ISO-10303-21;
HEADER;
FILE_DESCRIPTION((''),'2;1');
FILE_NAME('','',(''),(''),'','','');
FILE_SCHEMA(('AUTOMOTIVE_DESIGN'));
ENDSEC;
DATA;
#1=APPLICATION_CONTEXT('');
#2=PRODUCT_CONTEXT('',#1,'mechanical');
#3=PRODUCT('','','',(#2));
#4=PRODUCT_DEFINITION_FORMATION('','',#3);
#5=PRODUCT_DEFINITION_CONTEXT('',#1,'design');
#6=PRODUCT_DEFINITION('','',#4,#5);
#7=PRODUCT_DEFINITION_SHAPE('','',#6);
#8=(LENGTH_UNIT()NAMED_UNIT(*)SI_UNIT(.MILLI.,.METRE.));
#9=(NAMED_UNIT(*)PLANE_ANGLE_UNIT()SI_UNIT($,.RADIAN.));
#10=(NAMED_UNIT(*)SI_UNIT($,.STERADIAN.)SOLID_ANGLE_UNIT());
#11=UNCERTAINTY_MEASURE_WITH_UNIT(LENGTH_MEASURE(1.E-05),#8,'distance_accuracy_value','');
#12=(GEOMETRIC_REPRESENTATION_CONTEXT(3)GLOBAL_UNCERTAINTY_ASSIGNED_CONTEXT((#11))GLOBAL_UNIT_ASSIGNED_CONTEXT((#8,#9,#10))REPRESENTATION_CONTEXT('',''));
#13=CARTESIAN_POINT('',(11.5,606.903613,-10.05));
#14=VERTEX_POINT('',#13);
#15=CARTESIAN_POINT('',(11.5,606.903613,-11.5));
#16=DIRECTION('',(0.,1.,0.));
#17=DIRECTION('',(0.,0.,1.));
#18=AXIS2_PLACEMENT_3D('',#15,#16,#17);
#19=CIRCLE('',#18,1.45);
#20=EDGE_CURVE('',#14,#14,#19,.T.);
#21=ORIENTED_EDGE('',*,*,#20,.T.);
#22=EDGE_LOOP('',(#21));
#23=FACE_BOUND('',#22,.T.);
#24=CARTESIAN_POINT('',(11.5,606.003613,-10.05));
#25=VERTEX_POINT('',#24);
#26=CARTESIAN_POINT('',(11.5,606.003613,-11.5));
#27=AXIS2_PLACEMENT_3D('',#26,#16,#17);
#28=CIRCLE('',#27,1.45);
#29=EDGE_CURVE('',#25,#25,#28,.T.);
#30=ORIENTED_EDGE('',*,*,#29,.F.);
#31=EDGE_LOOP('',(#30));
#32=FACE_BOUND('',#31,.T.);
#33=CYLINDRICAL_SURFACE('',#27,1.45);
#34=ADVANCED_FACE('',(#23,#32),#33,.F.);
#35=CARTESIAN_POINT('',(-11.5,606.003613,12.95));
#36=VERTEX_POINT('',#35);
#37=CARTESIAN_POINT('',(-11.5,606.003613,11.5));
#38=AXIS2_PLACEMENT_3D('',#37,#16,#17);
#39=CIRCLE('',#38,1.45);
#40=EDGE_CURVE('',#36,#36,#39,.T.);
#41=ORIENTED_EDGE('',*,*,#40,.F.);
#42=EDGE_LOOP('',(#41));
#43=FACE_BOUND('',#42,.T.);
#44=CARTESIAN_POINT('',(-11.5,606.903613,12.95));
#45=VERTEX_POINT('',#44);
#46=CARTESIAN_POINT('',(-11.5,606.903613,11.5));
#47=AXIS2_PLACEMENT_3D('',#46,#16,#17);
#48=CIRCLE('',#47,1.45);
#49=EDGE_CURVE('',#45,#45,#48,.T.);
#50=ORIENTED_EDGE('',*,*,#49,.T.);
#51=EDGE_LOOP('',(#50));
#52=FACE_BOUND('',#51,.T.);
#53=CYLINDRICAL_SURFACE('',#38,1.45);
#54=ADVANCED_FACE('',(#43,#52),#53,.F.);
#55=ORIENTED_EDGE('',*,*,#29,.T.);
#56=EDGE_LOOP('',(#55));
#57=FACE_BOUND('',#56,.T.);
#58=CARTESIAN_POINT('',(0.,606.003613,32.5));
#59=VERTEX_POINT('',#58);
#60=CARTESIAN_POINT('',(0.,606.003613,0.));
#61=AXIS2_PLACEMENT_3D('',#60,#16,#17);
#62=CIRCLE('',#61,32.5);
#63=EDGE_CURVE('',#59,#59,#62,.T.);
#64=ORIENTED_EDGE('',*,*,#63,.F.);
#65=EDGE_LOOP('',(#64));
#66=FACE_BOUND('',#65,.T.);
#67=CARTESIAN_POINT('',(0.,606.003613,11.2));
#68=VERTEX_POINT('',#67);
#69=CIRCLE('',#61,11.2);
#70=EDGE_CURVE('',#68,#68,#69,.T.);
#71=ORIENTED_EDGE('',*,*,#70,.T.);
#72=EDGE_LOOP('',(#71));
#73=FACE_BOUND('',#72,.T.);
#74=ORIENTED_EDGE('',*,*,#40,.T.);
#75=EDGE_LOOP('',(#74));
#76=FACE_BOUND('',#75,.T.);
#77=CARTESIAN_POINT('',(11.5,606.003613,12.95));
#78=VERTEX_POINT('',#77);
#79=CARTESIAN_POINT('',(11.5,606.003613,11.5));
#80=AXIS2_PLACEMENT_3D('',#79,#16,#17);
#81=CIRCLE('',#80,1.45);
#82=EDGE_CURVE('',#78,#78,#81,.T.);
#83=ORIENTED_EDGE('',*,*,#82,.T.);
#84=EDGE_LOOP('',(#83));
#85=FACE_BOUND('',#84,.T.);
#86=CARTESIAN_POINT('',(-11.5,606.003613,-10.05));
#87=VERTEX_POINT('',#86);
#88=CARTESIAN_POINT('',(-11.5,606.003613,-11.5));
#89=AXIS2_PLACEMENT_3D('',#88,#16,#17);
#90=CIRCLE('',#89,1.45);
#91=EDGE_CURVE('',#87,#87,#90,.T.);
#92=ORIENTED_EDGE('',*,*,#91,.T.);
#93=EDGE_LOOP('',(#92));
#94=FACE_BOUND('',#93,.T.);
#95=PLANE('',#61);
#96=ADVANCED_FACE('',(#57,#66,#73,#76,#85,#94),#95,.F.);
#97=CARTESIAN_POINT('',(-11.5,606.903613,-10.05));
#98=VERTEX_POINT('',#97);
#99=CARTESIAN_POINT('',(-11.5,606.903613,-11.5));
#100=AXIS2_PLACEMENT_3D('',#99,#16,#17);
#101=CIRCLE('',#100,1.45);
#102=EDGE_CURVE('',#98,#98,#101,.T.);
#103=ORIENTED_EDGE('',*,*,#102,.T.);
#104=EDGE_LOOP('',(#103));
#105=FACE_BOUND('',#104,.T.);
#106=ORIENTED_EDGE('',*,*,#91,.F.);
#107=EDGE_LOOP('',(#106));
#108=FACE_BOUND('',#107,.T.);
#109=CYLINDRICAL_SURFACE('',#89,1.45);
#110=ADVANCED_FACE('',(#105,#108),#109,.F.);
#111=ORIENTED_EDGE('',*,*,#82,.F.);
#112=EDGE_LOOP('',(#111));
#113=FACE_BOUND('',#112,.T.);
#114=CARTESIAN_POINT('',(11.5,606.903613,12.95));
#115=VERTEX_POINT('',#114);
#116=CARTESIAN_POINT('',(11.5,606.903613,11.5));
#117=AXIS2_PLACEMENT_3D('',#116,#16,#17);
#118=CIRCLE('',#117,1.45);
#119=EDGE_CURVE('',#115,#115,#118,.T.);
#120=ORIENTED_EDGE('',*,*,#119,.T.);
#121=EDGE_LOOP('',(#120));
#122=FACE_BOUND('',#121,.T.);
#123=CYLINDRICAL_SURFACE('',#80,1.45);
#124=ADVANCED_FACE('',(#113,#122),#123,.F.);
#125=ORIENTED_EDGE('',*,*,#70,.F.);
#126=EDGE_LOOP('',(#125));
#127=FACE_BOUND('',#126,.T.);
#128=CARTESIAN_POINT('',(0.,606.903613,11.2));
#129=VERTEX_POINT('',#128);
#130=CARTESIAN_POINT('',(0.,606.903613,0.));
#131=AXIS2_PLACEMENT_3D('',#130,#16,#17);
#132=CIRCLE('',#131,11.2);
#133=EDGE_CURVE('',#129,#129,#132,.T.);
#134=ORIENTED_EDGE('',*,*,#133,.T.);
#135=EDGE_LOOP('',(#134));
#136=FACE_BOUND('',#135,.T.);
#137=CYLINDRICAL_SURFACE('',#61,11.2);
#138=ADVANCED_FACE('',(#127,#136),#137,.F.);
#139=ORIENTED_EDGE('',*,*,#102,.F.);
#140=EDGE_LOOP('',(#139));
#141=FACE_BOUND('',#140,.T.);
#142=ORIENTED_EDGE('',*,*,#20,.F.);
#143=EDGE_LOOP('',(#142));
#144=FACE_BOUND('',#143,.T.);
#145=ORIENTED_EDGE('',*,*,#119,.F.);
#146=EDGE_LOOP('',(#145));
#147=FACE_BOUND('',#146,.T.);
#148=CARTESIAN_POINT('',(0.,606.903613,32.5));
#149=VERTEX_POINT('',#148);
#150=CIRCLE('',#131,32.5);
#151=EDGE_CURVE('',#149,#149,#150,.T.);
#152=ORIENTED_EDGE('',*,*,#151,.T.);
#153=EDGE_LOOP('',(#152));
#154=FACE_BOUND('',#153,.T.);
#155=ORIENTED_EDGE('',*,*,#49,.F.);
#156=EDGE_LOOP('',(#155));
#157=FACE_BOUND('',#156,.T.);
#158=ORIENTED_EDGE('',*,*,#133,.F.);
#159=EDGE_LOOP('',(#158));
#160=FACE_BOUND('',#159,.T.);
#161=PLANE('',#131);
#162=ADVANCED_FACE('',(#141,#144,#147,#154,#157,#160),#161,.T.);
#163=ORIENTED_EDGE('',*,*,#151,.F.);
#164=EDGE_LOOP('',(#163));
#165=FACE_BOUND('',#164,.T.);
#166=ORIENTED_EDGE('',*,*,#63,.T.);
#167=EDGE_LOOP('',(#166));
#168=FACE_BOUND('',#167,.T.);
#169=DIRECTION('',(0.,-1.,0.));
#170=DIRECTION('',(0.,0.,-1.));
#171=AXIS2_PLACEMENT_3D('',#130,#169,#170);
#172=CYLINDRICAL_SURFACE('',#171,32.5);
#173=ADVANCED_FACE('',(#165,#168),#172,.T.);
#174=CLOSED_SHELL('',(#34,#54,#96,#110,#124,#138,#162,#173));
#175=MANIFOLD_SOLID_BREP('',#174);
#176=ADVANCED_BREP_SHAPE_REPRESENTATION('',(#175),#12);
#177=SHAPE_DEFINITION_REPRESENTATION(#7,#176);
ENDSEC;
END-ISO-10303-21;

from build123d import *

# Parameters (mm, degrees)
SKETCH_1_R          = 32.5
EXTRUDE_1_DEPTH     = 0.9
SKETCH_2_R          = 1.45
SKETCH_2_R_2        = 11.2
CUT_EXTRUDE_1_DEPTH = 0.9


with BuildPart() as part:
    # 草图1 → 凸台-拉伸1 (new body)
    with BuildSketch(Plane(origin=(0, 606.003613165, 0), x_dir=(1, 0, 0), z_dir=(0, 1, 0))):
        with Locations(Location((0, 0, 0), (0, 0, 270))):
            Circle(SKETCH_1_R)
    extrude(amount=EXTRUDE_1_DEPTH)

    # 草图2 → 切除-拉伸1 (cut)
    with BuildSketch(Plane(origin=(0, 606.903613165, 0), x_dir=(1, 0, 0), z_dir=(0, 1, 0))):
        with Locations(Location((11.5, 11.5, 0), (0, 0, 270))):
            Circle(SKETCH_2_R)
        with Locations(Location((11.5, -11.5, 0), (0, 0, 270))):
            Circle(SKETCH_2_R)
        with Locations(Location((-11.5, -11.5, 0), (0, 0, 270))):
            Circle(SKETCH_2_R)
        with Locations(Location((-11.5, 11.5, 0), (0, 0, 270))):
            Circle(SKETCH_2_R)
        with Locations(Location((0, 0, 0), (0, 0, 270))):
            Circle(SKETCH_2_R_2)
    extrude(amount=-CUT_EXTRUDE_1_DEPTH, mode=Mode.SUBTRACT)


solid = part.part
